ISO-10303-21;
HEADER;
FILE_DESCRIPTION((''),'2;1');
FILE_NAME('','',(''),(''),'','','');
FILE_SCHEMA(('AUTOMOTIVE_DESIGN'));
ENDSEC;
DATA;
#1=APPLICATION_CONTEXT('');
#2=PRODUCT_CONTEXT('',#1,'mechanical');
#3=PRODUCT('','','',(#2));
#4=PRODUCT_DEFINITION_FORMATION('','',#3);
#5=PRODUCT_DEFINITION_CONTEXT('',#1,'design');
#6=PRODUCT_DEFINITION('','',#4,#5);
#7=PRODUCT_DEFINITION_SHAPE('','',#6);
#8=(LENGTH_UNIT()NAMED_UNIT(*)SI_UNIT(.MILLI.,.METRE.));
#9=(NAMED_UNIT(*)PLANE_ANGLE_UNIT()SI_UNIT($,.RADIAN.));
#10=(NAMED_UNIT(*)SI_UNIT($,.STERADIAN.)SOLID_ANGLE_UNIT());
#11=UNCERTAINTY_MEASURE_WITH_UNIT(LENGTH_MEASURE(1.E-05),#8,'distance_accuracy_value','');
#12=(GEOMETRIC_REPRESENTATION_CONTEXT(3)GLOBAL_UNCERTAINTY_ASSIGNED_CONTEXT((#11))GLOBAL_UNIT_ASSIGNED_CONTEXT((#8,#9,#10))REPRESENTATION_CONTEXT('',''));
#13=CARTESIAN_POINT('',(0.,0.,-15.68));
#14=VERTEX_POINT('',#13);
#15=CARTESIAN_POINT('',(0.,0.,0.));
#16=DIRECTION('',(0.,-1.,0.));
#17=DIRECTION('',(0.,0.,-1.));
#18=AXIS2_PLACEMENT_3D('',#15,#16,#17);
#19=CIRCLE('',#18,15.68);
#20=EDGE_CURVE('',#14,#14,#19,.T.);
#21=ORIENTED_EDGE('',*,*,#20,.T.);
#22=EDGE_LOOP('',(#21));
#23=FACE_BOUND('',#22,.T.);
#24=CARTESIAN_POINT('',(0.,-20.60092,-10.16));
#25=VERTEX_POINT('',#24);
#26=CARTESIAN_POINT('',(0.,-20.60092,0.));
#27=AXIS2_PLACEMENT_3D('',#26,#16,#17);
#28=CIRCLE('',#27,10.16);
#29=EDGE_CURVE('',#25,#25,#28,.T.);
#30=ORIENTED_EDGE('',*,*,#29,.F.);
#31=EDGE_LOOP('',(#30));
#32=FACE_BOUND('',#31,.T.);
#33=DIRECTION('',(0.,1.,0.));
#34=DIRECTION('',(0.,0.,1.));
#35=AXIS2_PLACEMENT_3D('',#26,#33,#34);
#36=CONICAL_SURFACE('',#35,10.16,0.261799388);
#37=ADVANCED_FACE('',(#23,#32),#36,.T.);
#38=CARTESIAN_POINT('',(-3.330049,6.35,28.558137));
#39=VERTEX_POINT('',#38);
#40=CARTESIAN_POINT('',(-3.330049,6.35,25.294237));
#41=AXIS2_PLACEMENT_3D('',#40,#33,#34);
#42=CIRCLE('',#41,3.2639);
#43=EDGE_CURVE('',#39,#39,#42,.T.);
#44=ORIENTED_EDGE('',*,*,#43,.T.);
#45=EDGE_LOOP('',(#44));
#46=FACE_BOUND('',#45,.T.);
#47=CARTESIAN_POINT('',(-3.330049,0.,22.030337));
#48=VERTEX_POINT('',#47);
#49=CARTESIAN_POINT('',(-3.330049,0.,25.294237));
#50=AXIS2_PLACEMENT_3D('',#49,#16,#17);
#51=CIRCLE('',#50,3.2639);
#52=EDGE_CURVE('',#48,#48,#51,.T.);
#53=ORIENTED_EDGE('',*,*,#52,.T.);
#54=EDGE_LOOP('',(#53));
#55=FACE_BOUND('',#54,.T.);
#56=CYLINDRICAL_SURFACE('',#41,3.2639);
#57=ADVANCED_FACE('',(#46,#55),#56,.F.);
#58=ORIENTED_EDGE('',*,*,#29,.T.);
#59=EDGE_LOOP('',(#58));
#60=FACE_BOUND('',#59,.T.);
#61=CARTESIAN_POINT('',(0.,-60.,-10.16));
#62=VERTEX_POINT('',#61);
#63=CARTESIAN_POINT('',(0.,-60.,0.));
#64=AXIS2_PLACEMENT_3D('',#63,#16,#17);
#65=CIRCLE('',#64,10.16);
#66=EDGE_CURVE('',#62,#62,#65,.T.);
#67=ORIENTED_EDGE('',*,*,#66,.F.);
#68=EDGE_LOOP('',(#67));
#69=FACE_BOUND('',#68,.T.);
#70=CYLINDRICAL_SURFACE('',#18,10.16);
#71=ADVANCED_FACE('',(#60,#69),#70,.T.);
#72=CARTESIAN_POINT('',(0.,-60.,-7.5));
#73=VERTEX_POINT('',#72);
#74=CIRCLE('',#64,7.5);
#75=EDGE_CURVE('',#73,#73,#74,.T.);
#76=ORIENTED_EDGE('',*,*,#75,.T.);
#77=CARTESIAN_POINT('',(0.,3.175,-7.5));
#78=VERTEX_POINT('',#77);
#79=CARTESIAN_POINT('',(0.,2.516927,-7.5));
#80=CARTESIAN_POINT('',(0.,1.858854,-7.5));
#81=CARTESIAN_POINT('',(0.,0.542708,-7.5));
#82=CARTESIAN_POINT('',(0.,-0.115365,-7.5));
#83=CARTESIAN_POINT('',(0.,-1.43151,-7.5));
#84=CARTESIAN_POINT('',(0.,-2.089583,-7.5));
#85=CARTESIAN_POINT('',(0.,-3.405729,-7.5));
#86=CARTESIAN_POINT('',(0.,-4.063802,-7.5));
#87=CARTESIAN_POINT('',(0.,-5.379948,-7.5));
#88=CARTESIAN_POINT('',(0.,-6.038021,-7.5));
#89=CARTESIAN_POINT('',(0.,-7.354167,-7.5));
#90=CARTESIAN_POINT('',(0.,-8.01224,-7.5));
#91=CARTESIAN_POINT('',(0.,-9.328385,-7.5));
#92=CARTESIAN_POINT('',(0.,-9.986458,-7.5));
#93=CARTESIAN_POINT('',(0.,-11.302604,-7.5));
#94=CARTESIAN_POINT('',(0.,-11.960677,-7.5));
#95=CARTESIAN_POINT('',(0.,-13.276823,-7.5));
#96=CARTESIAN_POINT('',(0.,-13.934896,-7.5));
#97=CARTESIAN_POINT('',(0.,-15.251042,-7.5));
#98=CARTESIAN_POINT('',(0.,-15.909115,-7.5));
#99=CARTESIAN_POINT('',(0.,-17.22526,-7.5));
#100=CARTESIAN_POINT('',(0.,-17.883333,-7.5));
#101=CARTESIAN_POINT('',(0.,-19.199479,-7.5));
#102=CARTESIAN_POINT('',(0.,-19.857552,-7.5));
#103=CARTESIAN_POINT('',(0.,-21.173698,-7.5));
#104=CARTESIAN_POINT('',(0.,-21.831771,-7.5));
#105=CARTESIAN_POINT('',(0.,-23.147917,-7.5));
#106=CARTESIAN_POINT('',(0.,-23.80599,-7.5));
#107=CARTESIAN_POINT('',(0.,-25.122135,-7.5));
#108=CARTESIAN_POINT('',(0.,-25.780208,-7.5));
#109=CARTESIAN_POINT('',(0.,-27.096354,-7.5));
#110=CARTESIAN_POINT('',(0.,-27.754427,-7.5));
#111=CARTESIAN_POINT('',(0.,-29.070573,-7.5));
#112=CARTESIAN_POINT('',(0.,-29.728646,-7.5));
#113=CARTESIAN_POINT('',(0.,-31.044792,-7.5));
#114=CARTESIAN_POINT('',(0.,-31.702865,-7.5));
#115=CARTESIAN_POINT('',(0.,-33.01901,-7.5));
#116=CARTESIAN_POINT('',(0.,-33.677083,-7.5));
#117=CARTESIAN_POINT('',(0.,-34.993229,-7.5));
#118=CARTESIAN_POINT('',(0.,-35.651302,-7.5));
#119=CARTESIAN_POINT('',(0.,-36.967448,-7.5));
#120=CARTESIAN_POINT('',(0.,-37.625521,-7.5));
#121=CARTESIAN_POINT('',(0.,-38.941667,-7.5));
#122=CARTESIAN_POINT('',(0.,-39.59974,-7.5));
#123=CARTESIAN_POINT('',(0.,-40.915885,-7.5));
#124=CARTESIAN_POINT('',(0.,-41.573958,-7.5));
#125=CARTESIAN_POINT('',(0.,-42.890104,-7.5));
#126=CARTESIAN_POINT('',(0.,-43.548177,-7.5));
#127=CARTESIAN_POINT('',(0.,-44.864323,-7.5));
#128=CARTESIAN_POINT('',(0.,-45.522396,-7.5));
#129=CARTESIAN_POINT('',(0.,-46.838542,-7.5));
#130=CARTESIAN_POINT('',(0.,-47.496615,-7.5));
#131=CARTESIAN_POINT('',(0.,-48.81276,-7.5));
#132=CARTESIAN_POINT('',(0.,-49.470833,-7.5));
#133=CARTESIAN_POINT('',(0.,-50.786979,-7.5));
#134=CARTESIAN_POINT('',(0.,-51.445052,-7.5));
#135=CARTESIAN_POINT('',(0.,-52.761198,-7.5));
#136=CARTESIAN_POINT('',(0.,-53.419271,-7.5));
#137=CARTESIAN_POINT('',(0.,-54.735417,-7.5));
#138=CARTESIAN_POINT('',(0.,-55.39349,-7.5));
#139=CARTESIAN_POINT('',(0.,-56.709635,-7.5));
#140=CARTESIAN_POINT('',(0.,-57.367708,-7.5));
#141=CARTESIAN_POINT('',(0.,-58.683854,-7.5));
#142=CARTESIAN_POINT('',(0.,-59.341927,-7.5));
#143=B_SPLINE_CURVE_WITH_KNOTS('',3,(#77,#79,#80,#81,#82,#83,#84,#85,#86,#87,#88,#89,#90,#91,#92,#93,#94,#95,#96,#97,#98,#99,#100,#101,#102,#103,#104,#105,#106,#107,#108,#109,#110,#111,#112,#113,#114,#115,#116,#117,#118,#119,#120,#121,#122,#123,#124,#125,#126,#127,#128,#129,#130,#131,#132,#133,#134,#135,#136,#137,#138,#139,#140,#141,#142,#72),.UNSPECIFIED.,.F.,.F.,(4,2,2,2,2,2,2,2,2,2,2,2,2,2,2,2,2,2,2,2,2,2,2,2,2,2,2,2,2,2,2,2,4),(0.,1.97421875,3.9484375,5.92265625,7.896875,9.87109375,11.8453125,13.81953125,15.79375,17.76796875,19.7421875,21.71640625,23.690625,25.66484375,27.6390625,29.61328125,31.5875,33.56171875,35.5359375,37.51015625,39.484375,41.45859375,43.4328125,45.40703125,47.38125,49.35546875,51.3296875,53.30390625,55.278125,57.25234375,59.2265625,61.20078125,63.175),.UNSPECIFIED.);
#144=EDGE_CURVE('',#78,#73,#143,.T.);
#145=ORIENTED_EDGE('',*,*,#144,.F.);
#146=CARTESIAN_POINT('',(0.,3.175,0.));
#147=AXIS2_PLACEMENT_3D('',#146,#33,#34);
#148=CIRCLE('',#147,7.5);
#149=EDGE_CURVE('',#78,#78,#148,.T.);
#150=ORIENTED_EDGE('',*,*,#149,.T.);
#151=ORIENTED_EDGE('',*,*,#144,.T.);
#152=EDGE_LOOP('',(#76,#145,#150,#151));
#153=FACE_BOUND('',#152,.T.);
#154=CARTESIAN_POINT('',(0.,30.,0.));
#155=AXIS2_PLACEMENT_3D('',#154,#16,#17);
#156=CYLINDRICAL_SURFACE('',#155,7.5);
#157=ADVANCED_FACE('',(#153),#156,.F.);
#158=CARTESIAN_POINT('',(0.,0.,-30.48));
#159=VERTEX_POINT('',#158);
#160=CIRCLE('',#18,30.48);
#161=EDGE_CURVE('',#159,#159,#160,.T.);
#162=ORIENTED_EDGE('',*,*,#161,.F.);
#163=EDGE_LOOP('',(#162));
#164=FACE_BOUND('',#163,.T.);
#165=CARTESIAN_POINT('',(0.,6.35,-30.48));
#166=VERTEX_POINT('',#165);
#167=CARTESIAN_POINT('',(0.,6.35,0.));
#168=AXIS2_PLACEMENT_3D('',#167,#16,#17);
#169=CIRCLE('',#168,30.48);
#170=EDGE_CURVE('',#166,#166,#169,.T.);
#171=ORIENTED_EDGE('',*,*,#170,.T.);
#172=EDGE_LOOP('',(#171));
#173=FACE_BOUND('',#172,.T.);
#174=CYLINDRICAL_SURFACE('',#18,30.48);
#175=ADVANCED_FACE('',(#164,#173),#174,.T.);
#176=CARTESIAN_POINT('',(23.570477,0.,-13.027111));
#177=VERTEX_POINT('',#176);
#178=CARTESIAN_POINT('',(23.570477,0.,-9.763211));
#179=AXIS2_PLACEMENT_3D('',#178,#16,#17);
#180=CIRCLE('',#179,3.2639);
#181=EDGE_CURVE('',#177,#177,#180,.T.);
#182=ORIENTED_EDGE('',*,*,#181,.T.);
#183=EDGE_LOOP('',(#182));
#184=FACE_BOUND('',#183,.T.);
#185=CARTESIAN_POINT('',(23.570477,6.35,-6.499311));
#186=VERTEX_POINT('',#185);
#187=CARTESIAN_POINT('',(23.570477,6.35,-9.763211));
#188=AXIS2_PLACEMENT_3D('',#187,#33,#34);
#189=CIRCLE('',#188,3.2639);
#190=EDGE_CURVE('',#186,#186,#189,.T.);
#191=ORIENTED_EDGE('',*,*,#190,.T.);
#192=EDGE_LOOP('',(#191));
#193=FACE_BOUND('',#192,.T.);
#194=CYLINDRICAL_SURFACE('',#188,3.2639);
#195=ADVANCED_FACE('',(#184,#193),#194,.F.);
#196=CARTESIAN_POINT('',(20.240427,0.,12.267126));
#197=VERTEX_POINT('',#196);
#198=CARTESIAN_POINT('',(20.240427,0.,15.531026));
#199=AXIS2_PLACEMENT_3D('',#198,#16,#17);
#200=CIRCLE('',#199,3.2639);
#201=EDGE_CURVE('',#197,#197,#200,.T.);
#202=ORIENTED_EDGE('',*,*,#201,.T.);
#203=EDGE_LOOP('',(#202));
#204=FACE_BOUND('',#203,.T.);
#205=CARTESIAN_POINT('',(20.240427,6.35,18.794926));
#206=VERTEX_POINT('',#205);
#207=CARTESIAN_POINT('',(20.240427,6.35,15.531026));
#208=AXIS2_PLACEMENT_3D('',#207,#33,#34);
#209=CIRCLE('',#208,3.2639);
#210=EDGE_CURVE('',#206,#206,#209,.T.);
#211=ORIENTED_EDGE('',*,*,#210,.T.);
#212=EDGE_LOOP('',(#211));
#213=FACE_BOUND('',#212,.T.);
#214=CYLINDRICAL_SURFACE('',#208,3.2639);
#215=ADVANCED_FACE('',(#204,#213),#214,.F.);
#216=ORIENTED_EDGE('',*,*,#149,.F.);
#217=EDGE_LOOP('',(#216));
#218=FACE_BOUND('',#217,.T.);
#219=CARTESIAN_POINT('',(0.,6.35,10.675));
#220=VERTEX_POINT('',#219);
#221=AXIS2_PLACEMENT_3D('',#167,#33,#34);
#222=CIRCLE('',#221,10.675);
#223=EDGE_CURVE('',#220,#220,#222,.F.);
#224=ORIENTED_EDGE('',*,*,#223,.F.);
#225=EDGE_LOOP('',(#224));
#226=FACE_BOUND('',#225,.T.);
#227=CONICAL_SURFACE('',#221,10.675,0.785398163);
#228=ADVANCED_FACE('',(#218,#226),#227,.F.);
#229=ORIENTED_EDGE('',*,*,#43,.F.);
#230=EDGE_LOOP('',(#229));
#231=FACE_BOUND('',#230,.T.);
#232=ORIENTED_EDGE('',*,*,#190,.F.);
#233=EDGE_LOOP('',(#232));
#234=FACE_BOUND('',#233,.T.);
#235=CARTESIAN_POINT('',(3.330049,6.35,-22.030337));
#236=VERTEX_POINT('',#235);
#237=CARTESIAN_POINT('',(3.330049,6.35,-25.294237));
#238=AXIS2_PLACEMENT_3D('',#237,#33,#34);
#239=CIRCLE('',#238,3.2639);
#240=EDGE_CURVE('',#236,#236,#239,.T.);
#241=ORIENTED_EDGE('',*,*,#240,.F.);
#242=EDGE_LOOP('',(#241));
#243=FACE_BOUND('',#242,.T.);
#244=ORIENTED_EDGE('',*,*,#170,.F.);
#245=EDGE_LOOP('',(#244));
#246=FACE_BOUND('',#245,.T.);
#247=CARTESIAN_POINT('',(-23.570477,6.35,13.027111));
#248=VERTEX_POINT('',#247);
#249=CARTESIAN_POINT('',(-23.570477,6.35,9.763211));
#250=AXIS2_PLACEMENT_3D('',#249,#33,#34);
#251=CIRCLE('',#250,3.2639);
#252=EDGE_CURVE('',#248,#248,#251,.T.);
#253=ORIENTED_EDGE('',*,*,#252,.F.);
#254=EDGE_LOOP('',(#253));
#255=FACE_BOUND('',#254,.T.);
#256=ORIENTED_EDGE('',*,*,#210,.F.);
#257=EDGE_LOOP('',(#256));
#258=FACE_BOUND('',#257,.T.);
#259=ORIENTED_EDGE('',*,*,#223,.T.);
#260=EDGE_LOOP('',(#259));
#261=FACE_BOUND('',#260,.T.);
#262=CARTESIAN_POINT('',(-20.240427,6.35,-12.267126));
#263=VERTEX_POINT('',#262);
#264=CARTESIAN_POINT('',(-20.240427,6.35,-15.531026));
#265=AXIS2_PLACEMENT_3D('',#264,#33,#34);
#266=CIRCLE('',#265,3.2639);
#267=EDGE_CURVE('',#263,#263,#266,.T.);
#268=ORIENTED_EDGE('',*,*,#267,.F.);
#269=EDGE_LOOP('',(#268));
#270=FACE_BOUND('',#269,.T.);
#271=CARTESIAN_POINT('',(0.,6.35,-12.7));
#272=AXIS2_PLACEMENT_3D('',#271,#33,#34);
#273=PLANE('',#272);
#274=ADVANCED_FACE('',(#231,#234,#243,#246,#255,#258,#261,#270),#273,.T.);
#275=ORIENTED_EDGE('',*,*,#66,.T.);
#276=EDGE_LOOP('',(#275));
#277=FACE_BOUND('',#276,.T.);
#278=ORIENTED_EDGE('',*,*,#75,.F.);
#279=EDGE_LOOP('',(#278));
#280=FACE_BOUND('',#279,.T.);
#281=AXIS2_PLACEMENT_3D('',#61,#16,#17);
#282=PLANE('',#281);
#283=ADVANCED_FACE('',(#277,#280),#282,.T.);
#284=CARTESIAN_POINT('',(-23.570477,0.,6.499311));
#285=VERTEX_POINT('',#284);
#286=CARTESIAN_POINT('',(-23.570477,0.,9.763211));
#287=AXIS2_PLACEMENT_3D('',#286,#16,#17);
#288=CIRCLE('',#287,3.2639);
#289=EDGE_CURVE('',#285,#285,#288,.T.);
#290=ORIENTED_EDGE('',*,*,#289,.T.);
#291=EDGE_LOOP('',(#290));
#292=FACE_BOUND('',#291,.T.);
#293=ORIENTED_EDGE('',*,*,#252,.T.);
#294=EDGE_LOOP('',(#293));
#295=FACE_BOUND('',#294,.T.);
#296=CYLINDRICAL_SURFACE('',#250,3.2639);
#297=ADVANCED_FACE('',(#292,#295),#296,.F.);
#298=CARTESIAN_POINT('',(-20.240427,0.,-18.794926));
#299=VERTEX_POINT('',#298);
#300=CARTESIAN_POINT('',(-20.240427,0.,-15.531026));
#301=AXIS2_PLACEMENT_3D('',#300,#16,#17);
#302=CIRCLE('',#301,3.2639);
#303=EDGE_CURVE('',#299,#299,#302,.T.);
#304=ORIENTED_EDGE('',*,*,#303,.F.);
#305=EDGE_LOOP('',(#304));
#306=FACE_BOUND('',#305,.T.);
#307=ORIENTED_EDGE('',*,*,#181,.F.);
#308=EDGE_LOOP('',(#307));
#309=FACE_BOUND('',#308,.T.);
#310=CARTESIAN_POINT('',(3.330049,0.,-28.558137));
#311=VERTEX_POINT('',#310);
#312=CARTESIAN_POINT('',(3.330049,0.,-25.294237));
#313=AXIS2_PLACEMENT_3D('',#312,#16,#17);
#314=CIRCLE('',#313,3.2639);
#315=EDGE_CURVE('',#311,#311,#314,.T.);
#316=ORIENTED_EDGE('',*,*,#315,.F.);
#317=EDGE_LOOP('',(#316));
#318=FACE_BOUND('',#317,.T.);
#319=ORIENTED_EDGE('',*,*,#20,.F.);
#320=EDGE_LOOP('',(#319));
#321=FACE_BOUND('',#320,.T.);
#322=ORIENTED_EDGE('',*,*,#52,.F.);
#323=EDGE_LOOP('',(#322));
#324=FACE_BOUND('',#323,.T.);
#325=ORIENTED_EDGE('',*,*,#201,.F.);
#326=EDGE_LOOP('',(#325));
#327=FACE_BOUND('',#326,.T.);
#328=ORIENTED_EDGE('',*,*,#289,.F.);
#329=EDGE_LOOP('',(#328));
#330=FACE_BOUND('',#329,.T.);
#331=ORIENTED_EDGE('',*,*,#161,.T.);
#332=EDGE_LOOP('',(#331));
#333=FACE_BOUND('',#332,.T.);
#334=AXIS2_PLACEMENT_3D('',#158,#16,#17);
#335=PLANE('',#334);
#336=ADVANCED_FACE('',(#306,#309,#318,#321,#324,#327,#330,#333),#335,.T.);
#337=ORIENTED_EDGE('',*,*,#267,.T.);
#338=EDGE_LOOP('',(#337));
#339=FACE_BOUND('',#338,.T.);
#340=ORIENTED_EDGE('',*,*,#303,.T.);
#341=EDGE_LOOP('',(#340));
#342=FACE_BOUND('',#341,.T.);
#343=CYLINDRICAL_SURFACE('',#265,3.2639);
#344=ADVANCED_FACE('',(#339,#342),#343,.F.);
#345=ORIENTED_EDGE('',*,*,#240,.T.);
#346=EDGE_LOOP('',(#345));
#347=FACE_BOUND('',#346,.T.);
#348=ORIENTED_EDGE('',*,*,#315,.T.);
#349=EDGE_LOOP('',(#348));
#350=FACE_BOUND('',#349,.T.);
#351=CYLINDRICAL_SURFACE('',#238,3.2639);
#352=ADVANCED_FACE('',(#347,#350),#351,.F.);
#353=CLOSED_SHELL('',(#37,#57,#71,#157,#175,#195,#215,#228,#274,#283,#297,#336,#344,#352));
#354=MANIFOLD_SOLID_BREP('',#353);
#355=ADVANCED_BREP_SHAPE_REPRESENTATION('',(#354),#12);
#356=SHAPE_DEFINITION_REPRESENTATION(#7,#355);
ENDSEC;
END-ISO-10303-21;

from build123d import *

# Parameters (mm, degrees)
SKETCH5_R                   = 7.5
CUT_EXTRUDE1_DEPTH          = 90
SKETCH6_R                   = 3.5
CUT_EXTRUDE2_DEPTH          = 20
CIRPATTERN1_COUNT           = 6
SKETCH11_R                  = 3.18
CUT_EXTRUDE4_DEPTH          = 101.105860558
SKETCH23_R                  = 30.48
CUT_EXTRUDE6_DEPTH          = 80.122584091
F_1_4_CLEARANCE_HOLE1_D     = 6.5278
F_1_4_CLEARANCE_HOLE1_DEPTH = 15.4203
F_1_4_CLEARANCE_HOLE1_TIP   = 1.961148974
CHAMFER1_SIZE               = 3.175


with BuildPart() as part:
    # Sketch1 → Revolve1 (revolve)
    with BuildSketch(Plane(origin=(0, 0, 0), x_dir=(0, 0, -1), z_dir=(1, 0, 0))):
        Polygon((0, 30.35), (12.7, 30.35), (12.7, 6.35), (30.48, 6.35), (30.48, 0), (15.68, 0), (10.16, -20.600920458), (10.16, -60), (0, -60), align=None)
    revolve(axis=Axis((0, 0, 0), (0, 1, 0)))

    # Sketch5 → Cut-Extrude1 (cut)
    with BuildSketch(Plane.XZ.offset(60)):
        Circle(SKETCH5_R)
    extrude(amount=-CUT_EXTRUDE1_DEPTH, mode=Mode.SUBTRACT)

    # Sketch6 → Cut-Extrude2 (cut, symmetric)
    with BuildSketch(Plane.XY):
        with Locations((0, 16.659966967)):
            Circle(SKETCH6_R)
    cut_extrude2 = extrude(amount=CUT_EXTRUDE2_DEPTH, both=True, mode=Mode.SUBTRACT)

    # CirPattern1: Cut-Extrude2 ×6 about axis
    cirpattern1_axis = Axis((0, 30.35, 0), (0, -1, 0))
    for i in range(1, CIRPATTERN1_COUNT):
        add(cut_extrude2.rotate(cirpattern1_axis, i * 360 / CIRPATTERN1_COUNT), mode=Mode.SUBTRACT)

    # Sketch11 → Cut-Extrude4 (cut, through all)
    with BuildSketch(Plane(origin=(0, 30.35, 0), x_dir=(1, 0, 0), z_dir=(0, 1, 0))):
        Circle(SKETCH11_R)
    extrude(amount=-CUT_EXTRUDE4_DEPTH, mode=Mode.SUBTRACT)

    # Sketch23 → Cut-Extrude6 (cut, through all)
    with BuildSketch(Plane(origin=(0, 6.35, 0), x_dir=(1, 0, 0), z_dir=(0, 1, 0))):
        Circle(SKETCH23_R)
    extrude(amount=CUT_EXTRUDE6_DEPTH, mode=Mode.SUBTRACT)

    # 1/4 Clearance Hole1
    with Locations(Plane(origin=(0, 6.35, 0), x_dir=(1, 0, 0), z_dir=(0, 1, 0))):
        with Locations((3.330049479, 25.294237026), (-20.240427094, 15.531025958), (23.570476573, 9.763211068), (20.240427094, -15.531025958), (-3.330049479, -25.294237026), (-23.570476573, -9.763211068)):
            Hole(F_1_4_CLEARANCE_HOLE1_D / 2, depth=F_1_4_CLEARANCE_HOLE1_DEPTH)
            with Locations((0, 0, -(F_1_4_CLEARANCE_HOLE1_DEPTH + F_1_4_CLEARANCE_HOLE1_TIP / 2))):  # 118° drill point
                Cone(0, F_1_4_CLEARANCE_HOLE1_D / 2, F_1_4_CLEARANCE_HOLE1_TIP, mode=Mode.SUBTRACT)

    # Chamfer1
    chamfer1_edges = [part.edges().sort_by_distance(p)[0] for p in [
        (-7.5, 6.35, 0),
    ]]
    chamfer(chamfer1_edges, length=CHAMFER1_SIZE)


solid = part.part
